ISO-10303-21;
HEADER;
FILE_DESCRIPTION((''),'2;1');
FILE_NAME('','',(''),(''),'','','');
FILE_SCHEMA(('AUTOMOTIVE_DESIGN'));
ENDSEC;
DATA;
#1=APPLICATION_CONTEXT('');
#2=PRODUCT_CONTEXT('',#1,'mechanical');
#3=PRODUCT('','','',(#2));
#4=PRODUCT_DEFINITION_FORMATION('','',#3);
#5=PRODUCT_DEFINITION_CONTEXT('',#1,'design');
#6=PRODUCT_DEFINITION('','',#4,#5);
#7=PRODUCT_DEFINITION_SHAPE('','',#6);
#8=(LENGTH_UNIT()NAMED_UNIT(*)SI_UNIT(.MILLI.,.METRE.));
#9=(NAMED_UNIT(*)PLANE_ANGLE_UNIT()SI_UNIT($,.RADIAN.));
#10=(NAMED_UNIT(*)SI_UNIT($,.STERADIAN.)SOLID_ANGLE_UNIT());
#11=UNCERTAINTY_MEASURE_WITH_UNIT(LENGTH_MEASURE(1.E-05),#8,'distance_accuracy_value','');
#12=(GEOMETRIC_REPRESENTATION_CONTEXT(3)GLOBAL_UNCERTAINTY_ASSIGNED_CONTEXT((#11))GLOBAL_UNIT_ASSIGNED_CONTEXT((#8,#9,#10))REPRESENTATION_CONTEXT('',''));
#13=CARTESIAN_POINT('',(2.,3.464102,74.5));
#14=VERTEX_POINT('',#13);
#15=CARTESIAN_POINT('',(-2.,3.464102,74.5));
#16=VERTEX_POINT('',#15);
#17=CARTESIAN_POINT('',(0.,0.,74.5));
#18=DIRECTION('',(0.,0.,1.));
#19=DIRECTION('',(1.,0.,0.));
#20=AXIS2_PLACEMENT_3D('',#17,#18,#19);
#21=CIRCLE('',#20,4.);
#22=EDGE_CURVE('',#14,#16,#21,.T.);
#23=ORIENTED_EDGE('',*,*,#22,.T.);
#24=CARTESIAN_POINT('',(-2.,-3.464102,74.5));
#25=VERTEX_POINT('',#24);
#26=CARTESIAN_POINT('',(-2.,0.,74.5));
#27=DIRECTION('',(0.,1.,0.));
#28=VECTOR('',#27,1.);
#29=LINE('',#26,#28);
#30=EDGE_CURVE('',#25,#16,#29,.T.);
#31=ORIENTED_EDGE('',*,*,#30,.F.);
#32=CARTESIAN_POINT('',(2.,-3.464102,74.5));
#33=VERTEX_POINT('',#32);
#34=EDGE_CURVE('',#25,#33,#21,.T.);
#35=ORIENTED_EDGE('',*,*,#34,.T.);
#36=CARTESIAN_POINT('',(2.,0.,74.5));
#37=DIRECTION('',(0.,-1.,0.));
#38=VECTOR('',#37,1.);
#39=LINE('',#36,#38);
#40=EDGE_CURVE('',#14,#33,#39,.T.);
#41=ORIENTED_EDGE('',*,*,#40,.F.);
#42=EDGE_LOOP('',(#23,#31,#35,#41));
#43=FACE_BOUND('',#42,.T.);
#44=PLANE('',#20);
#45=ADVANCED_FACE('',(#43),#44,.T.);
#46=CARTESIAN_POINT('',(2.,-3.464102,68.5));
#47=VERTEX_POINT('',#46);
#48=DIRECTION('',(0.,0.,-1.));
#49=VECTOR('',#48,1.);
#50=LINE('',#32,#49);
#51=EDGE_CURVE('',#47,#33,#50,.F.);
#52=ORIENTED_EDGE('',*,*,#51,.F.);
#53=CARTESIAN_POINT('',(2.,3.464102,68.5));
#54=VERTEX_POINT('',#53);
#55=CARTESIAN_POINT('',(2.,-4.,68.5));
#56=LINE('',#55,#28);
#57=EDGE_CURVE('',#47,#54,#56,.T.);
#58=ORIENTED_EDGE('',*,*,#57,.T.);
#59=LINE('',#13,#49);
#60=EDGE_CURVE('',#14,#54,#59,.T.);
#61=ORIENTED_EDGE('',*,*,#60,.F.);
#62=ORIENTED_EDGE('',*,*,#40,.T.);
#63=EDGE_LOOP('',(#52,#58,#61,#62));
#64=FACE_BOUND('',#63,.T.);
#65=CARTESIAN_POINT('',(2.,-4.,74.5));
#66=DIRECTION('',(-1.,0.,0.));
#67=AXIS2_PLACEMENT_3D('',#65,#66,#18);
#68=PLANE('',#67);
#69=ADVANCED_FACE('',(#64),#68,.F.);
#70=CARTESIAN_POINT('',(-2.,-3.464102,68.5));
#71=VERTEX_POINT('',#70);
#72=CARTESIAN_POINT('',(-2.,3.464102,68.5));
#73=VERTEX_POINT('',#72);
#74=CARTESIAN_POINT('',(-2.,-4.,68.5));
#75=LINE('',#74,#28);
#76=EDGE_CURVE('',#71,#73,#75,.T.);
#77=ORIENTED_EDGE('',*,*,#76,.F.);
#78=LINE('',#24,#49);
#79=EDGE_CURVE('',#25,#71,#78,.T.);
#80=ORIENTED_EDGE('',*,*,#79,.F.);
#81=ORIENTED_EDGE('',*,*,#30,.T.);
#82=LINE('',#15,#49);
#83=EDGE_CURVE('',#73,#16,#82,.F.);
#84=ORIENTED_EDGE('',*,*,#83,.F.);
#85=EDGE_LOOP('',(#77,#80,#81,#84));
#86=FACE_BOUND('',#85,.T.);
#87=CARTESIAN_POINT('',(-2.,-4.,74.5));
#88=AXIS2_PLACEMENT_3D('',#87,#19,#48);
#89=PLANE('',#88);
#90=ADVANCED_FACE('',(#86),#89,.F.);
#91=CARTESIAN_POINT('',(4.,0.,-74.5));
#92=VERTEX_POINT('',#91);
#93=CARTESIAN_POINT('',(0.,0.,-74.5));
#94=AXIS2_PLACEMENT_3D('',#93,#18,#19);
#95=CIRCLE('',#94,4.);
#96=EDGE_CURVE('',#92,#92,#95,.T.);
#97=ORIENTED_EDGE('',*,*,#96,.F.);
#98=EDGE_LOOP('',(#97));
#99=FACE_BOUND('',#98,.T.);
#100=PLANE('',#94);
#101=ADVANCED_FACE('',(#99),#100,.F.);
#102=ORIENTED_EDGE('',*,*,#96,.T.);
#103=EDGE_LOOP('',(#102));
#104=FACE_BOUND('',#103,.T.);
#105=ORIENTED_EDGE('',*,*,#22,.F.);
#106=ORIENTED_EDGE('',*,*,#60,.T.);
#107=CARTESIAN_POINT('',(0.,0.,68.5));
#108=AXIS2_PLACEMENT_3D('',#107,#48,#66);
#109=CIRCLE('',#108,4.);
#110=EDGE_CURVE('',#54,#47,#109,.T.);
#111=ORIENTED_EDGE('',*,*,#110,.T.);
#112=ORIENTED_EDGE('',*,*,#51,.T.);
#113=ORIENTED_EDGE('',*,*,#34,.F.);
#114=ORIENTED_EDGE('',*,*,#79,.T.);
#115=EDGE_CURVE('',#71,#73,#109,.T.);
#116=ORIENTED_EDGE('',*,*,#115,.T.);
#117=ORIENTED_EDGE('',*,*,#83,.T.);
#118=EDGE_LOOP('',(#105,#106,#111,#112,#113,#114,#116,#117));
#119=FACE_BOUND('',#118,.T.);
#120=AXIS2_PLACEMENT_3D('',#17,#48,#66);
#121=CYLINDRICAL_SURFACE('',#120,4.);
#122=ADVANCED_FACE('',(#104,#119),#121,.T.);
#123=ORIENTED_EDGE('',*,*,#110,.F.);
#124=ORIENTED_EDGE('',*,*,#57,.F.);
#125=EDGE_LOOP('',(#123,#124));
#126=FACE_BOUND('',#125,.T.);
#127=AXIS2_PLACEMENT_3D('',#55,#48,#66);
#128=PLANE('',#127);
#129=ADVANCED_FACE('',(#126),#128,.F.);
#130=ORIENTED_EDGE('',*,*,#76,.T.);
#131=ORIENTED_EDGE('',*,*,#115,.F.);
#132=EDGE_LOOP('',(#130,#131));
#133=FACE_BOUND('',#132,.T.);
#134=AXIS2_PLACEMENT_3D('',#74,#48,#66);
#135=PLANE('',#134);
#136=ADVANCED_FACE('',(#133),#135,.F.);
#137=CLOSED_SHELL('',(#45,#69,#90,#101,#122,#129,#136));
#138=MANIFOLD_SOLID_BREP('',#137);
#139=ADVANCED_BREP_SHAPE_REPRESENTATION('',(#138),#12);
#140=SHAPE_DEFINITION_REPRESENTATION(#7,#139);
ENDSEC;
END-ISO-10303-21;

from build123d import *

# Parameters (mm, degrees)
SKETCH_1_R               = 4
EXTRUDE_1_DEPTH          = 74.5
CUT_EXTRUDE_1_DEPTH      = 75.714456432
CUT_EXTRUDE_1_DEPTH_BACK = 75.714456432
SKETCH_2_W               = 2
SKETCH_2_H               = 6


with BuildPart() as part:
    # 草图1 → 凸台-拉伸1 (new, symmetric)
    with BuildSketch(Plane.XY):
        Circle(SKETCH_1_R)
    extrude(amount=EXTRUDE_1_DEPTH, both=True)

    # 草图2 → 切除-拉伸1 (cut, two sides: drawn at the far end of the back side and taken through both)
    with BuildSketch(Plane(origin=(0, 0, 0), x_dir=(1, 0, 0), z_dir=(0, 1, 0)).offset(-CUT_EXTRUDE_1_DEPTH_BACK)):
        with Locations((-3, -71.5)):
            Rectangle(SKETCH_2_W, SKETCH_2_H)
        with Locations((3, -71.5)):
            Rectangle(SKETCH_2_W, SKETCH_2_H)
    extrude(amount=CUT_EXTRUDE_1_DEPTH + CUT_EXTRUDE_1_DEPTH_BACK, mode=Mode.SUBTRACT)


solid = part.part
